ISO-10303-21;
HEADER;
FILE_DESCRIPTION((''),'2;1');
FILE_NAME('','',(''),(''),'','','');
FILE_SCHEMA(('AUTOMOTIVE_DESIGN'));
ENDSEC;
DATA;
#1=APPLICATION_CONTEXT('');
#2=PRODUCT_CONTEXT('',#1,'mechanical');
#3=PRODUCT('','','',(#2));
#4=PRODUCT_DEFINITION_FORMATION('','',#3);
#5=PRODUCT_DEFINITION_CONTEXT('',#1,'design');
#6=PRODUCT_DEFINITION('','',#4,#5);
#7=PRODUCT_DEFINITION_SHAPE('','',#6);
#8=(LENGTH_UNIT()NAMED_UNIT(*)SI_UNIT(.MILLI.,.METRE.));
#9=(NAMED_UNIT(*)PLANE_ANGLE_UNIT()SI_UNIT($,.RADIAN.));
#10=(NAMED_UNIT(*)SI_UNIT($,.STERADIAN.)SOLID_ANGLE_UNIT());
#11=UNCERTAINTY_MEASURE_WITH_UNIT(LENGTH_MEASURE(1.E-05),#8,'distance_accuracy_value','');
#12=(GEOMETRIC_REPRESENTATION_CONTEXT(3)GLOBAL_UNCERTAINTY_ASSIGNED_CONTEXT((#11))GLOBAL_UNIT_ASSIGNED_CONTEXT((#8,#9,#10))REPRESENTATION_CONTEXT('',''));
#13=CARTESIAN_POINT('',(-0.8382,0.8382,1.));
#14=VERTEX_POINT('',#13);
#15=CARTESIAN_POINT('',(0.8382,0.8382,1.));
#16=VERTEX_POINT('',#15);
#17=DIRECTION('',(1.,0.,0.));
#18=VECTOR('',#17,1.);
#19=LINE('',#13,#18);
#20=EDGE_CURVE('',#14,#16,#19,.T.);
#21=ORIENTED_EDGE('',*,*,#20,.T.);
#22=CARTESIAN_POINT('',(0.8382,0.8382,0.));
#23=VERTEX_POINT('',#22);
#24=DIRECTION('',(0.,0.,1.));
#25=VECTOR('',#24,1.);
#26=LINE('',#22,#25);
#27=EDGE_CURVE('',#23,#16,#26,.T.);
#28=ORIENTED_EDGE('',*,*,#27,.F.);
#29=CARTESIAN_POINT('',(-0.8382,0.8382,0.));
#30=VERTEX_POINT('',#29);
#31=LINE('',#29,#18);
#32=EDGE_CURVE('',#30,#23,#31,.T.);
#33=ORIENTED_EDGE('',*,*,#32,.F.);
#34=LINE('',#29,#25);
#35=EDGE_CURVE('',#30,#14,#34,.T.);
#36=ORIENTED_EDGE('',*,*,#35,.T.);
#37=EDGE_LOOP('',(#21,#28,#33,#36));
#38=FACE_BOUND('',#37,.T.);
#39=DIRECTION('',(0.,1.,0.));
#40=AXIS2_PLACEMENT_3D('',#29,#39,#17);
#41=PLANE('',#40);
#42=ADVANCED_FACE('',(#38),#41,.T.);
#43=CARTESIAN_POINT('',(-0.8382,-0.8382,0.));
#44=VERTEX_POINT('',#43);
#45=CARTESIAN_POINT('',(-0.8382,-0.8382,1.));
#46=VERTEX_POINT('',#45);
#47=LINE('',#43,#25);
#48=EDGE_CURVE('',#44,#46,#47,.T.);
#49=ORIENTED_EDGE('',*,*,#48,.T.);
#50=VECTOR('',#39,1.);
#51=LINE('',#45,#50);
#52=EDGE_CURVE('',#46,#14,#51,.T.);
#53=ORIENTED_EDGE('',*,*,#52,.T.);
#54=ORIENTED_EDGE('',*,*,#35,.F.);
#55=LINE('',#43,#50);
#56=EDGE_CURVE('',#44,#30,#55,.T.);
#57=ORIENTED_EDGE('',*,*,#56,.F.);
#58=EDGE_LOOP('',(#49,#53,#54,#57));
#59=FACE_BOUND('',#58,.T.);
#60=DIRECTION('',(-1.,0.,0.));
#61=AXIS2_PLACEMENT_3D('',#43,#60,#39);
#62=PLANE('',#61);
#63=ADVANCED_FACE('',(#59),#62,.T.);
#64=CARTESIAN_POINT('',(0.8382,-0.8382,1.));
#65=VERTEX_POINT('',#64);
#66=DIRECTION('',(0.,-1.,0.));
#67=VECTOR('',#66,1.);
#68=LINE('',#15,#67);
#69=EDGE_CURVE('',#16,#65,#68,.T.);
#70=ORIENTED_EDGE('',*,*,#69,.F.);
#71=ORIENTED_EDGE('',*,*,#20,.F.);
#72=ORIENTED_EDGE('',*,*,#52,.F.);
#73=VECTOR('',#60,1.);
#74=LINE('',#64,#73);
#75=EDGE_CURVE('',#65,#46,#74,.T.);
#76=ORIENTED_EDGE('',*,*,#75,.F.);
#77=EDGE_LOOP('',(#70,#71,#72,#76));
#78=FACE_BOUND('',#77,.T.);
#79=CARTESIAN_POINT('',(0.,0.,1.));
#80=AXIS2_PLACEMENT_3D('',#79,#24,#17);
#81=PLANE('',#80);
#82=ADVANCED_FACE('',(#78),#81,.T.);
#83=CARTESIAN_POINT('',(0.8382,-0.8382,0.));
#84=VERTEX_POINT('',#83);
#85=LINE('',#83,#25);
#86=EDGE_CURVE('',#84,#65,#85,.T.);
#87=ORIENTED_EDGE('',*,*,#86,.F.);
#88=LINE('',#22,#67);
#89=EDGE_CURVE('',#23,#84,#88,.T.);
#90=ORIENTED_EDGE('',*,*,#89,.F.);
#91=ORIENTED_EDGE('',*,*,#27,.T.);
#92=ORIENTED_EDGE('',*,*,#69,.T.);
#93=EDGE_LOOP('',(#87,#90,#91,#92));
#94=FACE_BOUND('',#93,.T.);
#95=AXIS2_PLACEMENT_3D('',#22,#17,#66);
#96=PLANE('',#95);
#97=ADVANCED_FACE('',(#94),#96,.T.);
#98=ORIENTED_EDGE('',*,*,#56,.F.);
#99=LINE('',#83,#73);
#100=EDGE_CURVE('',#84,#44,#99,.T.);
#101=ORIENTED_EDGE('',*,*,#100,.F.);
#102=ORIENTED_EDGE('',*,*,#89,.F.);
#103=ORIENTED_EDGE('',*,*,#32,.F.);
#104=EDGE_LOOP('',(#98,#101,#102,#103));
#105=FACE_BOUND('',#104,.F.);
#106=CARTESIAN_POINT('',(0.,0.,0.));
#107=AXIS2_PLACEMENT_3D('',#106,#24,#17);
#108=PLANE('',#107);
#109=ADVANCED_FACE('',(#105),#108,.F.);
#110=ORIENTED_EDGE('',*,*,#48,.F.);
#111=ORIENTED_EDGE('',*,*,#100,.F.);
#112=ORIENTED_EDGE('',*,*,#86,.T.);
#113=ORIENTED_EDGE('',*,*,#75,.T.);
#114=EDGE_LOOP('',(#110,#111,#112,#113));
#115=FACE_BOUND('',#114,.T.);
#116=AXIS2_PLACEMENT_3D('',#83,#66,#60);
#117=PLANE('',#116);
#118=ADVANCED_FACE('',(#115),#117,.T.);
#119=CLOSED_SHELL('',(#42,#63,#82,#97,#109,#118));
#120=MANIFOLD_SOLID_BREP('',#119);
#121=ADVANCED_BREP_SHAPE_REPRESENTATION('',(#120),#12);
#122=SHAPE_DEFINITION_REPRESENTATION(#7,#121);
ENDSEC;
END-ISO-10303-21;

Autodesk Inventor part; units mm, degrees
ref_plane "YZ Plane" through (0, 0, 0) normal (1, 0, 0) x (0, 1, 0)
ref_plane "XZ Plane" through (0, 0, 0) normal (0, 1, 0) x (-1, 0, 0)
ref_plane "XY Plane" through (0, 0, 0) normal (0, 0, 1) x (1, 0, 0)
sketch "P1-13, TPPAD1-13_15" plane through (0, 0, 0) normal (0, 0, 1) x (1, 0, 0)
  line L0 (-0.8382, 0.8382) -> (0.8382, 0.8382)
  line L1 (0.8382, 0.8382) -> (0.8382, -0.8382)
  line L2 (0.8382, -0.8382) -> (-0.8382, -0.8382)
  line L3 (-0.8382, -0.8382) -> (-0.8382, 0.8382)
extrude "Extrusion1" add sketch "P1-13, TPPAD1-13_15" along normal blind 1
properties part number "TPPAD1-13"
